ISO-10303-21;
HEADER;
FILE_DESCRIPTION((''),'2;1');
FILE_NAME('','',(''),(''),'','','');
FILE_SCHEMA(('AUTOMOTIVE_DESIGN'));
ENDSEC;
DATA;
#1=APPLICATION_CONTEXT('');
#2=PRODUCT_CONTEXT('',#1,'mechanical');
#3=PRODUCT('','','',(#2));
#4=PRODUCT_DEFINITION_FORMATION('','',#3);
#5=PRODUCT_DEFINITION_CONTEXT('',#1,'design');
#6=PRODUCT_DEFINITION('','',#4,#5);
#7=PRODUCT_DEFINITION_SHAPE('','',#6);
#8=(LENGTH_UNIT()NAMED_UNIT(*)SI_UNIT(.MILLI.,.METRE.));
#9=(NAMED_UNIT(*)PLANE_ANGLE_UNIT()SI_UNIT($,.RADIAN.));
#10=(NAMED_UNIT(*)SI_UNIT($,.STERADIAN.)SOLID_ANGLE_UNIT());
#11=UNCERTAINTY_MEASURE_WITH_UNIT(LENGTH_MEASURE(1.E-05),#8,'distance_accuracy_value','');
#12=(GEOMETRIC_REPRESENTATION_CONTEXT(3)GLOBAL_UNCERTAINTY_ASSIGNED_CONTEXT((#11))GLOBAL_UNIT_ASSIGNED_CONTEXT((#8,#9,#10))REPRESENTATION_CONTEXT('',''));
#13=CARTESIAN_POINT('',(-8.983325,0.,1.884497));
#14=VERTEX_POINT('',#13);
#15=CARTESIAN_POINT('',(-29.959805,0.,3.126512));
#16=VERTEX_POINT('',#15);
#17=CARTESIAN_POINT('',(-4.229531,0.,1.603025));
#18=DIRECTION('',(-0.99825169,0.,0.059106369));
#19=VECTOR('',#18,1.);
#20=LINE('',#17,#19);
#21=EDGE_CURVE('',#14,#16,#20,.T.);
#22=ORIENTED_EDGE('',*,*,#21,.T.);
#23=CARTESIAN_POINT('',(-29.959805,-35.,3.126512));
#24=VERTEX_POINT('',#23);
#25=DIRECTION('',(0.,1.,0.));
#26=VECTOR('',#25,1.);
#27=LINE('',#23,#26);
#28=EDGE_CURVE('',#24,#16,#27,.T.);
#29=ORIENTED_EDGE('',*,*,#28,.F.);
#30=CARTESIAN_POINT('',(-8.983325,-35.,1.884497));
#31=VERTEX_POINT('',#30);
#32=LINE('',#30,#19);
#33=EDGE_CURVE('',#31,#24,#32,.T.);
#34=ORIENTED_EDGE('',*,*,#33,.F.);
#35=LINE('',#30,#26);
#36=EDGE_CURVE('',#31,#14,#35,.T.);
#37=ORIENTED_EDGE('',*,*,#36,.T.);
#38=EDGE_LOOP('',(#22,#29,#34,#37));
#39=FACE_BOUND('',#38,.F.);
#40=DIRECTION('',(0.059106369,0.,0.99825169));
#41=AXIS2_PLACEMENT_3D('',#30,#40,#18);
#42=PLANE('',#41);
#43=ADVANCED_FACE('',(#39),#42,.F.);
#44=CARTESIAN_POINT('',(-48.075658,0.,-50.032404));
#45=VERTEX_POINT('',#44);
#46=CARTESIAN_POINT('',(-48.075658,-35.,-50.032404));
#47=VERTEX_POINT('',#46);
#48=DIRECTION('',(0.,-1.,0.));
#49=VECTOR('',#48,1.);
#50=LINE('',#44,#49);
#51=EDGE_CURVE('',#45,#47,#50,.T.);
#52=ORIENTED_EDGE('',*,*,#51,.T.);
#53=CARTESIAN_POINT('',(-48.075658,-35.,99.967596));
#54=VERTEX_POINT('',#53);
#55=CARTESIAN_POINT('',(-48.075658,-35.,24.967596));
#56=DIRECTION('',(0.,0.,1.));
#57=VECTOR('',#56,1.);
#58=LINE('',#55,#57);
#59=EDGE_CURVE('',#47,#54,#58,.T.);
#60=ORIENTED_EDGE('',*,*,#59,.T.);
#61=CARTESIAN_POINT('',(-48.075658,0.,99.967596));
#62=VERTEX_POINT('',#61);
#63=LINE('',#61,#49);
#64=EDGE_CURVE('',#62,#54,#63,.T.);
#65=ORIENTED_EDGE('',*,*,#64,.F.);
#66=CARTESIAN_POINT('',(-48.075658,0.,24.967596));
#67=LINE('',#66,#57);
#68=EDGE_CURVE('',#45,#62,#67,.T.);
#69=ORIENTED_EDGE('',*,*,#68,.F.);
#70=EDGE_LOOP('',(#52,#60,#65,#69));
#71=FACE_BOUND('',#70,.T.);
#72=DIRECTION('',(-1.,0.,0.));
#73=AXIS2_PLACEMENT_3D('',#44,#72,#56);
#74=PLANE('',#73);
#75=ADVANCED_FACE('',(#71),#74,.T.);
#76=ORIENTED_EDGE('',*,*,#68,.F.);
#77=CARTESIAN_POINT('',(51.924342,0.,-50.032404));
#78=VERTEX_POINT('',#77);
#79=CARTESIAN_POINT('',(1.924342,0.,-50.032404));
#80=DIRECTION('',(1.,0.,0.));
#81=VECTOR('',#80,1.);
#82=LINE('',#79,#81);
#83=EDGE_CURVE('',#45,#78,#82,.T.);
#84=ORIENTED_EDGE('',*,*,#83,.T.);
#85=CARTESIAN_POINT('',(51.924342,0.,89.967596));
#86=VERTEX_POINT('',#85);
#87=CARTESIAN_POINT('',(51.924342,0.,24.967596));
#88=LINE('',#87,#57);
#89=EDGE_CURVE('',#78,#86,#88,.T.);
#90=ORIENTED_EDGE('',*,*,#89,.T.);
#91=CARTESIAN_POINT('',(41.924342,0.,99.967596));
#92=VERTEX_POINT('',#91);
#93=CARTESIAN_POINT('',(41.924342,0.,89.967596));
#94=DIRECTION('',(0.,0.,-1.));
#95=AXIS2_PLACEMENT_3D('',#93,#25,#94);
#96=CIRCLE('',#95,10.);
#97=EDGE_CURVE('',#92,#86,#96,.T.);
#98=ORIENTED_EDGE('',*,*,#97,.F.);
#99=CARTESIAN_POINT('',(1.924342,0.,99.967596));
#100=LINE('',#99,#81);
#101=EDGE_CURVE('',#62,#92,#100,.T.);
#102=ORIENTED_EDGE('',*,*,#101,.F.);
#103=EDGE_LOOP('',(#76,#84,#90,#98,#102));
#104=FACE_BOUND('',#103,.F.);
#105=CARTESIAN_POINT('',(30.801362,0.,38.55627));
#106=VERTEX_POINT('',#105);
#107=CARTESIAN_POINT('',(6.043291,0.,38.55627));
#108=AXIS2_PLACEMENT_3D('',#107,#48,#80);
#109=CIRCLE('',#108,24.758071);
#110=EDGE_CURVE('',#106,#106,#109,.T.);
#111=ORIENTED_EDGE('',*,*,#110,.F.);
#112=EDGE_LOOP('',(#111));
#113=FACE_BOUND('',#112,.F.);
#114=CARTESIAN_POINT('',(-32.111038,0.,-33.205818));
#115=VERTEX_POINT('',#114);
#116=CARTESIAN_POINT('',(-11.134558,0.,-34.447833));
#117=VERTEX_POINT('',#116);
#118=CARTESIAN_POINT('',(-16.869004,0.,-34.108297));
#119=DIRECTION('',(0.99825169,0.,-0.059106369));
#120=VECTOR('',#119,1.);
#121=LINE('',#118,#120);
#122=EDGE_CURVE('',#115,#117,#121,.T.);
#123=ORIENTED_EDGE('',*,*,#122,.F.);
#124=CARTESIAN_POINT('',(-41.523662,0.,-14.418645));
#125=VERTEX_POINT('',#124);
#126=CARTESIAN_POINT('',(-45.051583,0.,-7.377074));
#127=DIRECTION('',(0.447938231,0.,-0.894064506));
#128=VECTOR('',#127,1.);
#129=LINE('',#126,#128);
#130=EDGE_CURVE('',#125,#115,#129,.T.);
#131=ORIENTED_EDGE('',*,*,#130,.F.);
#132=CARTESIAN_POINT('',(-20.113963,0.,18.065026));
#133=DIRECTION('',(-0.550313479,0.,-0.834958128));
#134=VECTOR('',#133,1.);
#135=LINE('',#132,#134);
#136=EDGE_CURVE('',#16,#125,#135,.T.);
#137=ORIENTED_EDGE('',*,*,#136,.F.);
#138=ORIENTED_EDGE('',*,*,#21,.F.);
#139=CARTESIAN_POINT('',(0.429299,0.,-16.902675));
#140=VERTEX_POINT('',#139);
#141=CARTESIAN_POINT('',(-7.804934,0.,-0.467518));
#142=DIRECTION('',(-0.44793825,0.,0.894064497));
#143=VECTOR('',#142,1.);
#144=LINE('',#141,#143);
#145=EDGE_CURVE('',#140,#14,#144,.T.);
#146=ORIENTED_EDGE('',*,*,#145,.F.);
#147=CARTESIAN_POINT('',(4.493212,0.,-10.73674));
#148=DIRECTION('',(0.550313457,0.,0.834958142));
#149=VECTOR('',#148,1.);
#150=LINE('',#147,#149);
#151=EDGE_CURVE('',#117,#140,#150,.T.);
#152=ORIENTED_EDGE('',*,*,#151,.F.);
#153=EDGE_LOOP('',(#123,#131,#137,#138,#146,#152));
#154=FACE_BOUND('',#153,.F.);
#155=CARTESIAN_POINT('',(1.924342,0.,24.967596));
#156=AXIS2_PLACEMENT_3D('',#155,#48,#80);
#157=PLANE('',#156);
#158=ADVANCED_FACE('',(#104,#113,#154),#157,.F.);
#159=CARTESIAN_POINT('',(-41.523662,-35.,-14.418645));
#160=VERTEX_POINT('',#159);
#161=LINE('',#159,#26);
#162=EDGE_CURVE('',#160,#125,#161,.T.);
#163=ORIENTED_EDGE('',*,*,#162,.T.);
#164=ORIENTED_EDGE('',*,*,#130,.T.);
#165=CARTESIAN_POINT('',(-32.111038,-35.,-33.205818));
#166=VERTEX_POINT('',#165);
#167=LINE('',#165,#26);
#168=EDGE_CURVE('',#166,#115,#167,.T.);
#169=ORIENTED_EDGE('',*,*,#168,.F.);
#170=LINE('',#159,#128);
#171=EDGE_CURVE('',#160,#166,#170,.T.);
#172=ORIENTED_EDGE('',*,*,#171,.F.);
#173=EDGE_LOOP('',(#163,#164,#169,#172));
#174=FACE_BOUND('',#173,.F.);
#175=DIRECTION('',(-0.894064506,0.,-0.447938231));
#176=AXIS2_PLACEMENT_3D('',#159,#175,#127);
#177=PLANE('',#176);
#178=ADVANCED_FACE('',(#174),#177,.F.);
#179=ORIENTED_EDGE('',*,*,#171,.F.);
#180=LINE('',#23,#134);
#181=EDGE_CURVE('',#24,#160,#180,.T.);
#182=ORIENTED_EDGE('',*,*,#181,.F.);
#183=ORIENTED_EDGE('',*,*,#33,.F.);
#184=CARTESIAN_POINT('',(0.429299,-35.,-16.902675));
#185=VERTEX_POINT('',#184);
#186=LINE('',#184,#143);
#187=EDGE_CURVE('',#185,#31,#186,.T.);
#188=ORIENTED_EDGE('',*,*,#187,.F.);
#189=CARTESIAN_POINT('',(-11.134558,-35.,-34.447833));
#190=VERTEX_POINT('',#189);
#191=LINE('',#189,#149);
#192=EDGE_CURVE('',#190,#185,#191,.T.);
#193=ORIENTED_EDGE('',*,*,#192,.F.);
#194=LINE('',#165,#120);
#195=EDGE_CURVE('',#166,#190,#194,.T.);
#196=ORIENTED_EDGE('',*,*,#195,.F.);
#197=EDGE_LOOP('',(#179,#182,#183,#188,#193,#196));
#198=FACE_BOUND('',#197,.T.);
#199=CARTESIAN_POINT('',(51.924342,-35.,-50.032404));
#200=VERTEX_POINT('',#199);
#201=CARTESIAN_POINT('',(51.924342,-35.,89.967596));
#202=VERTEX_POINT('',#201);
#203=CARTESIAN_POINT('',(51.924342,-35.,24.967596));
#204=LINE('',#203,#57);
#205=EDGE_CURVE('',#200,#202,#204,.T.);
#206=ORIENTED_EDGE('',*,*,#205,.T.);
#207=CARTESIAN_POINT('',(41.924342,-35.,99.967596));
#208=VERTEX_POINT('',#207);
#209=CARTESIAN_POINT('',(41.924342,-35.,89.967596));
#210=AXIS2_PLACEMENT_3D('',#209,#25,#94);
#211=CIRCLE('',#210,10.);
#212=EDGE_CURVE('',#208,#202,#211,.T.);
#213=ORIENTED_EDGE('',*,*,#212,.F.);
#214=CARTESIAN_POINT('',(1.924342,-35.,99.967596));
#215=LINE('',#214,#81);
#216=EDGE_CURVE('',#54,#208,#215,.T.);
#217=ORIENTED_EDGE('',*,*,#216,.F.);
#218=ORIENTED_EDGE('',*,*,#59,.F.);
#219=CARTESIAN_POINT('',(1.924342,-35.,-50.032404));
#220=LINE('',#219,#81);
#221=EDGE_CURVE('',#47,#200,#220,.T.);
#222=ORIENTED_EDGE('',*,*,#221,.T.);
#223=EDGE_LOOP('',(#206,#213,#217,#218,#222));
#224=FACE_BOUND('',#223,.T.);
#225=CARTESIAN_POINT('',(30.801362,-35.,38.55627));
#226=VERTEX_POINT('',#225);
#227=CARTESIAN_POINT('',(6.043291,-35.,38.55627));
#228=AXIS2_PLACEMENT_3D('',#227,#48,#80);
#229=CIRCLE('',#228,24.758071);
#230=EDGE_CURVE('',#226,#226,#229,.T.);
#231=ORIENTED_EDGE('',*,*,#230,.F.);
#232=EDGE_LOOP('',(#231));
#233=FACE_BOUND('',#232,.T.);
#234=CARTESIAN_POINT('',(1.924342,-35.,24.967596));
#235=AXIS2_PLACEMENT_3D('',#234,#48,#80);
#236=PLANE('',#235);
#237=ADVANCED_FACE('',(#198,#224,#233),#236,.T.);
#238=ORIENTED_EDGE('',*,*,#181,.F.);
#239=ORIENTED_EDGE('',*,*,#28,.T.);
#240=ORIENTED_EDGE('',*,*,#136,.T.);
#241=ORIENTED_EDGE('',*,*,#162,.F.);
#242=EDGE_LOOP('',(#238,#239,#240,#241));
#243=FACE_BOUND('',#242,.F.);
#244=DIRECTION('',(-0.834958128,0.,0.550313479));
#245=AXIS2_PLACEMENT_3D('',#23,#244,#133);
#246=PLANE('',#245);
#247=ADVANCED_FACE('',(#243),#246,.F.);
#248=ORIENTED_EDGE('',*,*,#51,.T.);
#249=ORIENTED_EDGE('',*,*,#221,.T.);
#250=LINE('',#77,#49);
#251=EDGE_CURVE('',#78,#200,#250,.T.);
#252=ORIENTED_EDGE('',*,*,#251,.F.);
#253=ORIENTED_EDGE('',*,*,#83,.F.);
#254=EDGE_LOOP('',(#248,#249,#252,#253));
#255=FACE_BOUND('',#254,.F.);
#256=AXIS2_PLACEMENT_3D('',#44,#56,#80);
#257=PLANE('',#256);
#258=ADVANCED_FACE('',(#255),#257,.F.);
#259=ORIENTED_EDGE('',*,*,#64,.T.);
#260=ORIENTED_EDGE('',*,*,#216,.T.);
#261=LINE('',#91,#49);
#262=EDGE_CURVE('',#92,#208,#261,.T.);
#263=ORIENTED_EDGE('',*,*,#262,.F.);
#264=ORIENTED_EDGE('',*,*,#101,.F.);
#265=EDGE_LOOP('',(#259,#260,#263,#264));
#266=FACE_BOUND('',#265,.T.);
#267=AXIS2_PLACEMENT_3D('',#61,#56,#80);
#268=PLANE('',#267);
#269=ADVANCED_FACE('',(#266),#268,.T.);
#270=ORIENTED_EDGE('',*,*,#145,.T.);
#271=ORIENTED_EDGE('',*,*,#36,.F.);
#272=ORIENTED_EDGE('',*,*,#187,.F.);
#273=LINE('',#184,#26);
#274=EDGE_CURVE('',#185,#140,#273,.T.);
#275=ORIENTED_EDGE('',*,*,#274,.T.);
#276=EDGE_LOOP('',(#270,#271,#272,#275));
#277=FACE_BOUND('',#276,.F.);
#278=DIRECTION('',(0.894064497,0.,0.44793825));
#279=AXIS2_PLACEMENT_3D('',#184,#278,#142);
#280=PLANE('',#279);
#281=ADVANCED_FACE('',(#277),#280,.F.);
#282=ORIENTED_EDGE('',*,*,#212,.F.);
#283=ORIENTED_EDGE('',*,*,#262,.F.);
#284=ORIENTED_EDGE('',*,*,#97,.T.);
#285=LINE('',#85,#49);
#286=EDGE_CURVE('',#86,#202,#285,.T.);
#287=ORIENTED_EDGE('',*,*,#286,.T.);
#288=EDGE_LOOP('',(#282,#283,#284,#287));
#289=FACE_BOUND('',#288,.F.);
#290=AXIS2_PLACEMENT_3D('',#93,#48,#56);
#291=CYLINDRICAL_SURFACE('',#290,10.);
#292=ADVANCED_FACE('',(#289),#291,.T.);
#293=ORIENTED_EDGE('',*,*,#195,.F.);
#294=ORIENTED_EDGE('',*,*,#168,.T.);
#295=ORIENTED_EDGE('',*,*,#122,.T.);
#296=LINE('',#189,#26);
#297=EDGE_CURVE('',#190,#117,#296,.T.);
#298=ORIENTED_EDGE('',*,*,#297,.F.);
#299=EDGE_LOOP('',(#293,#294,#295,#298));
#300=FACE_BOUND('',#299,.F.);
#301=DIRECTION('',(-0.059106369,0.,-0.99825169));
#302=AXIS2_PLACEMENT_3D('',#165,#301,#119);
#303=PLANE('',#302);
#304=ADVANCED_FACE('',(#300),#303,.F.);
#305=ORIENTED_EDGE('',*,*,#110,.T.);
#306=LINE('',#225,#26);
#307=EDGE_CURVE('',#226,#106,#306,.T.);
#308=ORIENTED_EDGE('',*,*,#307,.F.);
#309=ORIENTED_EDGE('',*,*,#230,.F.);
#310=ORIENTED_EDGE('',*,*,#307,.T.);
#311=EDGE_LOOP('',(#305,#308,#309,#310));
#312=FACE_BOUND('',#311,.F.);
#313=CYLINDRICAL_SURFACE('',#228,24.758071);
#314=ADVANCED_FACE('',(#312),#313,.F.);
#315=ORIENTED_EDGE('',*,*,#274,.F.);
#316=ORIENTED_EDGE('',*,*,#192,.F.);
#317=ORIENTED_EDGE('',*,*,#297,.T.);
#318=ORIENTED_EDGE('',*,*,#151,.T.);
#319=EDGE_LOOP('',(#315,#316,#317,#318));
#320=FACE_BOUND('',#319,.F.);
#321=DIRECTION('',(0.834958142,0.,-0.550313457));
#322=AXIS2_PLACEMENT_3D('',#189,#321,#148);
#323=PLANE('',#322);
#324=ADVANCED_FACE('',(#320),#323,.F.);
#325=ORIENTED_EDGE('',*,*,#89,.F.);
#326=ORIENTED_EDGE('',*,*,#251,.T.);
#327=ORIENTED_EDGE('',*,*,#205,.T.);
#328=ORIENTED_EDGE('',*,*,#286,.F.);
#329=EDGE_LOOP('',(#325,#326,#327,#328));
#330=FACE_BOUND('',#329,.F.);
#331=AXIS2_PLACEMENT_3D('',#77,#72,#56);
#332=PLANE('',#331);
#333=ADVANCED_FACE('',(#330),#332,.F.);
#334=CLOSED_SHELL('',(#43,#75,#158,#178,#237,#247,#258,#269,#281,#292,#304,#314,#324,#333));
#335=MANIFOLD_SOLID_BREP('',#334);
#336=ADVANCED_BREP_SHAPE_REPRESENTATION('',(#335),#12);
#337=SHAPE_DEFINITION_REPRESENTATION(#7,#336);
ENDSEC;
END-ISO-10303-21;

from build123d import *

# Parameters (mm, degrees)
F0_W     = 100
F0_H     = 150
F1_DEPTH = 35
F2_R     = 24.758071
F3_DEPTH = 93
F4_R     = 10


with BuildPart() as f1:
    # F0 (on Front) → F1 (new body)
    with BuildSketch(Plane.XZ):
        with Locations((1.924342, 24.967596)):
            Rectangle(F0_W, F0_H)
    extrude(amount=F1_DEPTH)

    # F2 (on face) → F3 (cut)
    with BuildSketch(Plane.XZ.offset(35)):
        with Locations((6.043291, 38.55627)):
            Circle(F2_R)
        Polygon((-11.134558, -34.447833), (0.429299, -16.902675), (-8.983325, 1.884497), (-29.959805, 3.126512), (-41.523662, -14.418645), (-32.111038, -33.205818), align=None)
    extrude(amount=-F3_DEPTH, mode=Mode.SUBTRACT)

    # F4
    f4_edges = [f1.edges().sort_by_distance(p)[0] for p in [
        (51.924342, -17.5, 99.967596),
    ]]
    fillet(f4_edges, radius=F4_R)


solid = f1.part
